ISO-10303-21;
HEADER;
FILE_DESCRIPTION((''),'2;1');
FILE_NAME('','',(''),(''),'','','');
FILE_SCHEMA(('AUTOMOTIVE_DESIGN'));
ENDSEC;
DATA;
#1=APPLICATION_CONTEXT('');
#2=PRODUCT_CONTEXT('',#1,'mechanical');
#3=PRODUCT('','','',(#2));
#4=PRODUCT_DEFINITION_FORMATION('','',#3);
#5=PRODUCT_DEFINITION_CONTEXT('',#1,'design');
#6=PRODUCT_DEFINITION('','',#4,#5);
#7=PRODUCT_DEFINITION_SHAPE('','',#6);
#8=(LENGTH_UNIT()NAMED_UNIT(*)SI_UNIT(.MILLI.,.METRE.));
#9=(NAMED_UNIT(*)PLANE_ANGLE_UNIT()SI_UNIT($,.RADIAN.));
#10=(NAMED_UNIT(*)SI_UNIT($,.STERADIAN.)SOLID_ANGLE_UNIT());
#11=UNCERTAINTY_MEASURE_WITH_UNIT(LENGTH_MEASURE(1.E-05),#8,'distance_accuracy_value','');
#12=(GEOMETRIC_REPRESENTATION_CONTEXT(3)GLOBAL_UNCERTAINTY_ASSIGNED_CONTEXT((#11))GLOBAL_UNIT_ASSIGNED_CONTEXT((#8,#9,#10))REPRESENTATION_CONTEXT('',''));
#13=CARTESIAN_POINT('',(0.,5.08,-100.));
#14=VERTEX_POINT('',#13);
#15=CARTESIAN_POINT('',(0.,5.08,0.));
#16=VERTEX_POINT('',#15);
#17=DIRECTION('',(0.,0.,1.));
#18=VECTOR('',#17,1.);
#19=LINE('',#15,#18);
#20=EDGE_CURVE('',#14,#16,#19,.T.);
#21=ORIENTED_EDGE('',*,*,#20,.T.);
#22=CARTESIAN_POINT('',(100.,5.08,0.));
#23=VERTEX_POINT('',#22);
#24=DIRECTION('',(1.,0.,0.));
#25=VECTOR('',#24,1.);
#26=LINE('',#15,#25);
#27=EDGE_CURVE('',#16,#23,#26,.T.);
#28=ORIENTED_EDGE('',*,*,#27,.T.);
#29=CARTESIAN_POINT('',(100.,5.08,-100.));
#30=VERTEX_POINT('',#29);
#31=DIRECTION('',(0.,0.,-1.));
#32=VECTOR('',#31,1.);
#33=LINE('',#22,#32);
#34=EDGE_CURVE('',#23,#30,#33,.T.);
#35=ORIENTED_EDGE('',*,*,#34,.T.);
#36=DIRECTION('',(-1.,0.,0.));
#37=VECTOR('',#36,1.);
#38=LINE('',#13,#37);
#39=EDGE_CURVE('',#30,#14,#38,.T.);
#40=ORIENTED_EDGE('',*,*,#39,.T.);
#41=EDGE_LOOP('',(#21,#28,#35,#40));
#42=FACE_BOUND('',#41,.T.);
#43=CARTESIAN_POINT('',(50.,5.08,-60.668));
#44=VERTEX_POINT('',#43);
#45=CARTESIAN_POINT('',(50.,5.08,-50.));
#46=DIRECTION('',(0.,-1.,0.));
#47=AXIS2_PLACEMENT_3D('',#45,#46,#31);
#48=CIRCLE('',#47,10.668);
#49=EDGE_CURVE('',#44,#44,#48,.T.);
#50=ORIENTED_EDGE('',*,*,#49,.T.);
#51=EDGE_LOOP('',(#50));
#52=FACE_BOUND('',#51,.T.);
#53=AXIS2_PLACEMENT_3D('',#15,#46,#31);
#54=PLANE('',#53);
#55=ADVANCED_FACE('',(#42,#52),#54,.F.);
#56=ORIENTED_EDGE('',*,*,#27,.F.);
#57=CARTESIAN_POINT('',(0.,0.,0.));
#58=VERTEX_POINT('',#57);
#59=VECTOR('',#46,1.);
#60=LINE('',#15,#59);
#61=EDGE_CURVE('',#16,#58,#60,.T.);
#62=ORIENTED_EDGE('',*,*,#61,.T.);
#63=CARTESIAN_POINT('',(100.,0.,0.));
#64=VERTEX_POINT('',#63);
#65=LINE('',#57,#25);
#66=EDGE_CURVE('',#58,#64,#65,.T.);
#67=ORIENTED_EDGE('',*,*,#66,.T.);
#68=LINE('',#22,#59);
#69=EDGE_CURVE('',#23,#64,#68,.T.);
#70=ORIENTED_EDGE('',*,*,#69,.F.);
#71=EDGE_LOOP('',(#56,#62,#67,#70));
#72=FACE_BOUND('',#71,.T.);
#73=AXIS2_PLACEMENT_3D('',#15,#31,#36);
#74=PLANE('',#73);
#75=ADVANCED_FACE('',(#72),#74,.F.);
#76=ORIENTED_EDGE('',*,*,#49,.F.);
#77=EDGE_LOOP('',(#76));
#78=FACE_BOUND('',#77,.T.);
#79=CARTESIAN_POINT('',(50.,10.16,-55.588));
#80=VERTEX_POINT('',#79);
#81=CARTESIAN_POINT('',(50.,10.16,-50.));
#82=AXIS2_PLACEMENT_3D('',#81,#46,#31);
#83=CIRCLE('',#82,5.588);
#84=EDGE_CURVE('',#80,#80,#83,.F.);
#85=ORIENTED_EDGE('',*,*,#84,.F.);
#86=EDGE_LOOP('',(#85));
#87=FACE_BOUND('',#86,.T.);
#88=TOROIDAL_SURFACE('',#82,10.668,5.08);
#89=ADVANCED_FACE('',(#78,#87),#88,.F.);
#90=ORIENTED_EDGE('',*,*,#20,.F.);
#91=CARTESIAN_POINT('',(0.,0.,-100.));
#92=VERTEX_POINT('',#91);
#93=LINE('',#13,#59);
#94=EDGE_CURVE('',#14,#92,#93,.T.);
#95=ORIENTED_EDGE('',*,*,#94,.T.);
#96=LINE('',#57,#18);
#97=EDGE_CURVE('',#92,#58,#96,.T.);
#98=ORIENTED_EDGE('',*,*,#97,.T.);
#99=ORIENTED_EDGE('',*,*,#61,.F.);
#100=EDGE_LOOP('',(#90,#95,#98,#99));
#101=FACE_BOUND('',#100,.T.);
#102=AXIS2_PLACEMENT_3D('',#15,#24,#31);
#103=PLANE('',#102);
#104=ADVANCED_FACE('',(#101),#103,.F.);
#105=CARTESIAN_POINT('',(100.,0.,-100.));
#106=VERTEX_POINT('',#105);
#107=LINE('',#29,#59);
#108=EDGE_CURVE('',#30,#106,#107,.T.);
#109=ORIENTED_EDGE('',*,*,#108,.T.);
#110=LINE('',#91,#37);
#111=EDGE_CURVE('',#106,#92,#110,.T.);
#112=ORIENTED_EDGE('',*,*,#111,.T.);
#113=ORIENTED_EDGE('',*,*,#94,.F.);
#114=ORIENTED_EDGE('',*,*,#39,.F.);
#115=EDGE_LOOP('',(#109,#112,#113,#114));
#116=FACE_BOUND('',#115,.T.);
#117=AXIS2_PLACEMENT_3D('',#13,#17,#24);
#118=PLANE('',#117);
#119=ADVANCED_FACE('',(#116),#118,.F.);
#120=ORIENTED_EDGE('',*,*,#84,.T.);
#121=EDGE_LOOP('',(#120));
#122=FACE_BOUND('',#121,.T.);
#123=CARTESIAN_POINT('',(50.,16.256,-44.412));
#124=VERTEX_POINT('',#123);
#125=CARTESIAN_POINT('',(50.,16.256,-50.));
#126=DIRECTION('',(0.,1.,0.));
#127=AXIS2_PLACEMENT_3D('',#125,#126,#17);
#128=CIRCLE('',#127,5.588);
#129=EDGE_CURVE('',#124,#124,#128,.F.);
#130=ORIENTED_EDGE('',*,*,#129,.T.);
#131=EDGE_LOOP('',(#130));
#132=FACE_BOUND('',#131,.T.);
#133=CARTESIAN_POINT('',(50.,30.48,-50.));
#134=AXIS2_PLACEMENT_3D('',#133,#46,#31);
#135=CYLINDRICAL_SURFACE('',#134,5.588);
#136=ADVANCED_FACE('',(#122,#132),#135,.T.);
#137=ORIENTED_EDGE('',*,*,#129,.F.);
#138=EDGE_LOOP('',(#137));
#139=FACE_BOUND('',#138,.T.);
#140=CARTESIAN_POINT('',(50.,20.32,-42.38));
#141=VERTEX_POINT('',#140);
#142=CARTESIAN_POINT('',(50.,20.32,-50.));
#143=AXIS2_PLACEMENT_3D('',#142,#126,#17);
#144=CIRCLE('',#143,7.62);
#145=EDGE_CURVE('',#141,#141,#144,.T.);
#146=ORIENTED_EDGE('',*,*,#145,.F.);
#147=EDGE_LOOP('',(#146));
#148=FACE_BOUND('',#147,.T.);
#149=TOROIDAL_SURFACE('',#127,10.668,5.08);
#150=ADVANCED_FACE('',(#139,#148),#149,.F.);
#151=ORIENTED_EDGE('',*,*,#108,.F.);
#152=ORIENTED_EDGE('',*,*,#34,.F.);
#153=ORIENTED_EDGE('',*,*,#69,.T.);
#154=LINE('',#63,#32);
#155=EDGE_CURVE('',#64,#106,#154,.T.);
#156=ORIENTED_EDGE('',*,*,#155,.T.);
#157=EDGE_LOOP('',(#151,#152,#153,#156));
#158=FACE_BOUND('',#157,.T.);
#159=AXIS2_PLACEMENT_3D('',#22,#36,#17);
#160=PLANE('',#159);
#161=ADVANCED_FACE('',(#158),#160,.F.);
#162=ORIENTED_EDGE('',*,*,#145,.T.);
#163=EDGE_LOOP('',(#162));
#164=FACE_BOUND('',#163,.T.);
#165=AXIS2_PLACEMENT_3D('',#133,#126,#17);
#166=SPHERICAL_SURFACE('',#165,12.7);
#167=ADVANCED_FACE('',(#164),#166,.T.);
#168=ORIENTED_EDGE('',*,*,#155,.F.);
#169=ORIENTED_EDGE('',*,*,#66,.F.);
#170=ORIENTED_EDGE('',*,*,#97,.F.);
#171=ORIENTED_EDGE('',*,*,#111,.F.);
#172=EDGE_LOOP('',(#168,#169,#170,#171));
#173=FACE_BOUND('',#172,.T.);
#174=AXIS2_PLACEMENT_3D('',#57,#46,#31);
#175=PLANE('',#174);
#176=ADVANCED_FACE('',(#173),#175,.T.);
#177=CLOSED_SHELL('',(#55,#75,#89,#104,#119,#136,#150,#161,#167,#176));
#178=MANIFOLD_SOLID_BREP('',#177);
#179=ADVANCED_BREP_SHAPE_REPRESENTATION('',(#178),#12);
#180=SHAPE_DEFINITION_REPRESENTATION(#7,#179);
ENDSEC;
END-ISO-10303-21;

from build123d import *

# Parameters (mm, degrees)
SKETCH2_W           = 100
SKETCH2_H           = 100
BOSS_EXTRUDE1_DEPTH = 5.08
SKETCH3_R           = 5.588
BOSS_EXTRUDE2_DEPTH = 25.4
FILLET1_R           = 5.08


with BuildPart() as part:
    # Sketch2 → Boss-Extrude1 (new body)
    with BuildSketch(Plane(origin=(0, 0, 0), x_dir=(1, 0, 0), z_dir=(0, 1, 0))):
        with Locations((50, 50)):
            Rectangle(SKETCH2_W, SKETCH2_H)
    extrude(amount=BOSS_EXTRUDE1_DEPTH)

    # Sketch3 → Boss-Extrude2 (add)
    with BuildSketch(Plane(origin=(0, 5.08, 0), x_dir=(1, 0, 0), z_dir=(0, 1, 0))):
        with Locations(Location((50, 50, 0), (0, 0, 90))):
            Circle(SKETCH3_R)
    extrude(amount=BOSS_EXTRUDE2_DEPTH)

    # Sketch6 → Revolve1 (revolve)
    with BuildSketch(Plane(origin=(0, 30.48, 0), x_dir=(1, 0, 0), z_dir=(0, 1, 0))):
        with BuildLine():
            Line((50, 62.7), (50, 37.3))
            ThreePointArc((50, 37.3), (62.7, 50), (50, 62.7))
        make_face()
    revolve(axis=Axis((50, 30.48, -62.7), (0, 0, 1)))

    # Fillet1
    fillet1_edges = [part.edges().sort_by_distance(p)[0] for p in [
        (50, 5.08, -44.412),
        (50, 19.075428285, -44.412),
    ]]
    fillet(fillet1_edges, radius=FILLET1_R)


solid = part.part
